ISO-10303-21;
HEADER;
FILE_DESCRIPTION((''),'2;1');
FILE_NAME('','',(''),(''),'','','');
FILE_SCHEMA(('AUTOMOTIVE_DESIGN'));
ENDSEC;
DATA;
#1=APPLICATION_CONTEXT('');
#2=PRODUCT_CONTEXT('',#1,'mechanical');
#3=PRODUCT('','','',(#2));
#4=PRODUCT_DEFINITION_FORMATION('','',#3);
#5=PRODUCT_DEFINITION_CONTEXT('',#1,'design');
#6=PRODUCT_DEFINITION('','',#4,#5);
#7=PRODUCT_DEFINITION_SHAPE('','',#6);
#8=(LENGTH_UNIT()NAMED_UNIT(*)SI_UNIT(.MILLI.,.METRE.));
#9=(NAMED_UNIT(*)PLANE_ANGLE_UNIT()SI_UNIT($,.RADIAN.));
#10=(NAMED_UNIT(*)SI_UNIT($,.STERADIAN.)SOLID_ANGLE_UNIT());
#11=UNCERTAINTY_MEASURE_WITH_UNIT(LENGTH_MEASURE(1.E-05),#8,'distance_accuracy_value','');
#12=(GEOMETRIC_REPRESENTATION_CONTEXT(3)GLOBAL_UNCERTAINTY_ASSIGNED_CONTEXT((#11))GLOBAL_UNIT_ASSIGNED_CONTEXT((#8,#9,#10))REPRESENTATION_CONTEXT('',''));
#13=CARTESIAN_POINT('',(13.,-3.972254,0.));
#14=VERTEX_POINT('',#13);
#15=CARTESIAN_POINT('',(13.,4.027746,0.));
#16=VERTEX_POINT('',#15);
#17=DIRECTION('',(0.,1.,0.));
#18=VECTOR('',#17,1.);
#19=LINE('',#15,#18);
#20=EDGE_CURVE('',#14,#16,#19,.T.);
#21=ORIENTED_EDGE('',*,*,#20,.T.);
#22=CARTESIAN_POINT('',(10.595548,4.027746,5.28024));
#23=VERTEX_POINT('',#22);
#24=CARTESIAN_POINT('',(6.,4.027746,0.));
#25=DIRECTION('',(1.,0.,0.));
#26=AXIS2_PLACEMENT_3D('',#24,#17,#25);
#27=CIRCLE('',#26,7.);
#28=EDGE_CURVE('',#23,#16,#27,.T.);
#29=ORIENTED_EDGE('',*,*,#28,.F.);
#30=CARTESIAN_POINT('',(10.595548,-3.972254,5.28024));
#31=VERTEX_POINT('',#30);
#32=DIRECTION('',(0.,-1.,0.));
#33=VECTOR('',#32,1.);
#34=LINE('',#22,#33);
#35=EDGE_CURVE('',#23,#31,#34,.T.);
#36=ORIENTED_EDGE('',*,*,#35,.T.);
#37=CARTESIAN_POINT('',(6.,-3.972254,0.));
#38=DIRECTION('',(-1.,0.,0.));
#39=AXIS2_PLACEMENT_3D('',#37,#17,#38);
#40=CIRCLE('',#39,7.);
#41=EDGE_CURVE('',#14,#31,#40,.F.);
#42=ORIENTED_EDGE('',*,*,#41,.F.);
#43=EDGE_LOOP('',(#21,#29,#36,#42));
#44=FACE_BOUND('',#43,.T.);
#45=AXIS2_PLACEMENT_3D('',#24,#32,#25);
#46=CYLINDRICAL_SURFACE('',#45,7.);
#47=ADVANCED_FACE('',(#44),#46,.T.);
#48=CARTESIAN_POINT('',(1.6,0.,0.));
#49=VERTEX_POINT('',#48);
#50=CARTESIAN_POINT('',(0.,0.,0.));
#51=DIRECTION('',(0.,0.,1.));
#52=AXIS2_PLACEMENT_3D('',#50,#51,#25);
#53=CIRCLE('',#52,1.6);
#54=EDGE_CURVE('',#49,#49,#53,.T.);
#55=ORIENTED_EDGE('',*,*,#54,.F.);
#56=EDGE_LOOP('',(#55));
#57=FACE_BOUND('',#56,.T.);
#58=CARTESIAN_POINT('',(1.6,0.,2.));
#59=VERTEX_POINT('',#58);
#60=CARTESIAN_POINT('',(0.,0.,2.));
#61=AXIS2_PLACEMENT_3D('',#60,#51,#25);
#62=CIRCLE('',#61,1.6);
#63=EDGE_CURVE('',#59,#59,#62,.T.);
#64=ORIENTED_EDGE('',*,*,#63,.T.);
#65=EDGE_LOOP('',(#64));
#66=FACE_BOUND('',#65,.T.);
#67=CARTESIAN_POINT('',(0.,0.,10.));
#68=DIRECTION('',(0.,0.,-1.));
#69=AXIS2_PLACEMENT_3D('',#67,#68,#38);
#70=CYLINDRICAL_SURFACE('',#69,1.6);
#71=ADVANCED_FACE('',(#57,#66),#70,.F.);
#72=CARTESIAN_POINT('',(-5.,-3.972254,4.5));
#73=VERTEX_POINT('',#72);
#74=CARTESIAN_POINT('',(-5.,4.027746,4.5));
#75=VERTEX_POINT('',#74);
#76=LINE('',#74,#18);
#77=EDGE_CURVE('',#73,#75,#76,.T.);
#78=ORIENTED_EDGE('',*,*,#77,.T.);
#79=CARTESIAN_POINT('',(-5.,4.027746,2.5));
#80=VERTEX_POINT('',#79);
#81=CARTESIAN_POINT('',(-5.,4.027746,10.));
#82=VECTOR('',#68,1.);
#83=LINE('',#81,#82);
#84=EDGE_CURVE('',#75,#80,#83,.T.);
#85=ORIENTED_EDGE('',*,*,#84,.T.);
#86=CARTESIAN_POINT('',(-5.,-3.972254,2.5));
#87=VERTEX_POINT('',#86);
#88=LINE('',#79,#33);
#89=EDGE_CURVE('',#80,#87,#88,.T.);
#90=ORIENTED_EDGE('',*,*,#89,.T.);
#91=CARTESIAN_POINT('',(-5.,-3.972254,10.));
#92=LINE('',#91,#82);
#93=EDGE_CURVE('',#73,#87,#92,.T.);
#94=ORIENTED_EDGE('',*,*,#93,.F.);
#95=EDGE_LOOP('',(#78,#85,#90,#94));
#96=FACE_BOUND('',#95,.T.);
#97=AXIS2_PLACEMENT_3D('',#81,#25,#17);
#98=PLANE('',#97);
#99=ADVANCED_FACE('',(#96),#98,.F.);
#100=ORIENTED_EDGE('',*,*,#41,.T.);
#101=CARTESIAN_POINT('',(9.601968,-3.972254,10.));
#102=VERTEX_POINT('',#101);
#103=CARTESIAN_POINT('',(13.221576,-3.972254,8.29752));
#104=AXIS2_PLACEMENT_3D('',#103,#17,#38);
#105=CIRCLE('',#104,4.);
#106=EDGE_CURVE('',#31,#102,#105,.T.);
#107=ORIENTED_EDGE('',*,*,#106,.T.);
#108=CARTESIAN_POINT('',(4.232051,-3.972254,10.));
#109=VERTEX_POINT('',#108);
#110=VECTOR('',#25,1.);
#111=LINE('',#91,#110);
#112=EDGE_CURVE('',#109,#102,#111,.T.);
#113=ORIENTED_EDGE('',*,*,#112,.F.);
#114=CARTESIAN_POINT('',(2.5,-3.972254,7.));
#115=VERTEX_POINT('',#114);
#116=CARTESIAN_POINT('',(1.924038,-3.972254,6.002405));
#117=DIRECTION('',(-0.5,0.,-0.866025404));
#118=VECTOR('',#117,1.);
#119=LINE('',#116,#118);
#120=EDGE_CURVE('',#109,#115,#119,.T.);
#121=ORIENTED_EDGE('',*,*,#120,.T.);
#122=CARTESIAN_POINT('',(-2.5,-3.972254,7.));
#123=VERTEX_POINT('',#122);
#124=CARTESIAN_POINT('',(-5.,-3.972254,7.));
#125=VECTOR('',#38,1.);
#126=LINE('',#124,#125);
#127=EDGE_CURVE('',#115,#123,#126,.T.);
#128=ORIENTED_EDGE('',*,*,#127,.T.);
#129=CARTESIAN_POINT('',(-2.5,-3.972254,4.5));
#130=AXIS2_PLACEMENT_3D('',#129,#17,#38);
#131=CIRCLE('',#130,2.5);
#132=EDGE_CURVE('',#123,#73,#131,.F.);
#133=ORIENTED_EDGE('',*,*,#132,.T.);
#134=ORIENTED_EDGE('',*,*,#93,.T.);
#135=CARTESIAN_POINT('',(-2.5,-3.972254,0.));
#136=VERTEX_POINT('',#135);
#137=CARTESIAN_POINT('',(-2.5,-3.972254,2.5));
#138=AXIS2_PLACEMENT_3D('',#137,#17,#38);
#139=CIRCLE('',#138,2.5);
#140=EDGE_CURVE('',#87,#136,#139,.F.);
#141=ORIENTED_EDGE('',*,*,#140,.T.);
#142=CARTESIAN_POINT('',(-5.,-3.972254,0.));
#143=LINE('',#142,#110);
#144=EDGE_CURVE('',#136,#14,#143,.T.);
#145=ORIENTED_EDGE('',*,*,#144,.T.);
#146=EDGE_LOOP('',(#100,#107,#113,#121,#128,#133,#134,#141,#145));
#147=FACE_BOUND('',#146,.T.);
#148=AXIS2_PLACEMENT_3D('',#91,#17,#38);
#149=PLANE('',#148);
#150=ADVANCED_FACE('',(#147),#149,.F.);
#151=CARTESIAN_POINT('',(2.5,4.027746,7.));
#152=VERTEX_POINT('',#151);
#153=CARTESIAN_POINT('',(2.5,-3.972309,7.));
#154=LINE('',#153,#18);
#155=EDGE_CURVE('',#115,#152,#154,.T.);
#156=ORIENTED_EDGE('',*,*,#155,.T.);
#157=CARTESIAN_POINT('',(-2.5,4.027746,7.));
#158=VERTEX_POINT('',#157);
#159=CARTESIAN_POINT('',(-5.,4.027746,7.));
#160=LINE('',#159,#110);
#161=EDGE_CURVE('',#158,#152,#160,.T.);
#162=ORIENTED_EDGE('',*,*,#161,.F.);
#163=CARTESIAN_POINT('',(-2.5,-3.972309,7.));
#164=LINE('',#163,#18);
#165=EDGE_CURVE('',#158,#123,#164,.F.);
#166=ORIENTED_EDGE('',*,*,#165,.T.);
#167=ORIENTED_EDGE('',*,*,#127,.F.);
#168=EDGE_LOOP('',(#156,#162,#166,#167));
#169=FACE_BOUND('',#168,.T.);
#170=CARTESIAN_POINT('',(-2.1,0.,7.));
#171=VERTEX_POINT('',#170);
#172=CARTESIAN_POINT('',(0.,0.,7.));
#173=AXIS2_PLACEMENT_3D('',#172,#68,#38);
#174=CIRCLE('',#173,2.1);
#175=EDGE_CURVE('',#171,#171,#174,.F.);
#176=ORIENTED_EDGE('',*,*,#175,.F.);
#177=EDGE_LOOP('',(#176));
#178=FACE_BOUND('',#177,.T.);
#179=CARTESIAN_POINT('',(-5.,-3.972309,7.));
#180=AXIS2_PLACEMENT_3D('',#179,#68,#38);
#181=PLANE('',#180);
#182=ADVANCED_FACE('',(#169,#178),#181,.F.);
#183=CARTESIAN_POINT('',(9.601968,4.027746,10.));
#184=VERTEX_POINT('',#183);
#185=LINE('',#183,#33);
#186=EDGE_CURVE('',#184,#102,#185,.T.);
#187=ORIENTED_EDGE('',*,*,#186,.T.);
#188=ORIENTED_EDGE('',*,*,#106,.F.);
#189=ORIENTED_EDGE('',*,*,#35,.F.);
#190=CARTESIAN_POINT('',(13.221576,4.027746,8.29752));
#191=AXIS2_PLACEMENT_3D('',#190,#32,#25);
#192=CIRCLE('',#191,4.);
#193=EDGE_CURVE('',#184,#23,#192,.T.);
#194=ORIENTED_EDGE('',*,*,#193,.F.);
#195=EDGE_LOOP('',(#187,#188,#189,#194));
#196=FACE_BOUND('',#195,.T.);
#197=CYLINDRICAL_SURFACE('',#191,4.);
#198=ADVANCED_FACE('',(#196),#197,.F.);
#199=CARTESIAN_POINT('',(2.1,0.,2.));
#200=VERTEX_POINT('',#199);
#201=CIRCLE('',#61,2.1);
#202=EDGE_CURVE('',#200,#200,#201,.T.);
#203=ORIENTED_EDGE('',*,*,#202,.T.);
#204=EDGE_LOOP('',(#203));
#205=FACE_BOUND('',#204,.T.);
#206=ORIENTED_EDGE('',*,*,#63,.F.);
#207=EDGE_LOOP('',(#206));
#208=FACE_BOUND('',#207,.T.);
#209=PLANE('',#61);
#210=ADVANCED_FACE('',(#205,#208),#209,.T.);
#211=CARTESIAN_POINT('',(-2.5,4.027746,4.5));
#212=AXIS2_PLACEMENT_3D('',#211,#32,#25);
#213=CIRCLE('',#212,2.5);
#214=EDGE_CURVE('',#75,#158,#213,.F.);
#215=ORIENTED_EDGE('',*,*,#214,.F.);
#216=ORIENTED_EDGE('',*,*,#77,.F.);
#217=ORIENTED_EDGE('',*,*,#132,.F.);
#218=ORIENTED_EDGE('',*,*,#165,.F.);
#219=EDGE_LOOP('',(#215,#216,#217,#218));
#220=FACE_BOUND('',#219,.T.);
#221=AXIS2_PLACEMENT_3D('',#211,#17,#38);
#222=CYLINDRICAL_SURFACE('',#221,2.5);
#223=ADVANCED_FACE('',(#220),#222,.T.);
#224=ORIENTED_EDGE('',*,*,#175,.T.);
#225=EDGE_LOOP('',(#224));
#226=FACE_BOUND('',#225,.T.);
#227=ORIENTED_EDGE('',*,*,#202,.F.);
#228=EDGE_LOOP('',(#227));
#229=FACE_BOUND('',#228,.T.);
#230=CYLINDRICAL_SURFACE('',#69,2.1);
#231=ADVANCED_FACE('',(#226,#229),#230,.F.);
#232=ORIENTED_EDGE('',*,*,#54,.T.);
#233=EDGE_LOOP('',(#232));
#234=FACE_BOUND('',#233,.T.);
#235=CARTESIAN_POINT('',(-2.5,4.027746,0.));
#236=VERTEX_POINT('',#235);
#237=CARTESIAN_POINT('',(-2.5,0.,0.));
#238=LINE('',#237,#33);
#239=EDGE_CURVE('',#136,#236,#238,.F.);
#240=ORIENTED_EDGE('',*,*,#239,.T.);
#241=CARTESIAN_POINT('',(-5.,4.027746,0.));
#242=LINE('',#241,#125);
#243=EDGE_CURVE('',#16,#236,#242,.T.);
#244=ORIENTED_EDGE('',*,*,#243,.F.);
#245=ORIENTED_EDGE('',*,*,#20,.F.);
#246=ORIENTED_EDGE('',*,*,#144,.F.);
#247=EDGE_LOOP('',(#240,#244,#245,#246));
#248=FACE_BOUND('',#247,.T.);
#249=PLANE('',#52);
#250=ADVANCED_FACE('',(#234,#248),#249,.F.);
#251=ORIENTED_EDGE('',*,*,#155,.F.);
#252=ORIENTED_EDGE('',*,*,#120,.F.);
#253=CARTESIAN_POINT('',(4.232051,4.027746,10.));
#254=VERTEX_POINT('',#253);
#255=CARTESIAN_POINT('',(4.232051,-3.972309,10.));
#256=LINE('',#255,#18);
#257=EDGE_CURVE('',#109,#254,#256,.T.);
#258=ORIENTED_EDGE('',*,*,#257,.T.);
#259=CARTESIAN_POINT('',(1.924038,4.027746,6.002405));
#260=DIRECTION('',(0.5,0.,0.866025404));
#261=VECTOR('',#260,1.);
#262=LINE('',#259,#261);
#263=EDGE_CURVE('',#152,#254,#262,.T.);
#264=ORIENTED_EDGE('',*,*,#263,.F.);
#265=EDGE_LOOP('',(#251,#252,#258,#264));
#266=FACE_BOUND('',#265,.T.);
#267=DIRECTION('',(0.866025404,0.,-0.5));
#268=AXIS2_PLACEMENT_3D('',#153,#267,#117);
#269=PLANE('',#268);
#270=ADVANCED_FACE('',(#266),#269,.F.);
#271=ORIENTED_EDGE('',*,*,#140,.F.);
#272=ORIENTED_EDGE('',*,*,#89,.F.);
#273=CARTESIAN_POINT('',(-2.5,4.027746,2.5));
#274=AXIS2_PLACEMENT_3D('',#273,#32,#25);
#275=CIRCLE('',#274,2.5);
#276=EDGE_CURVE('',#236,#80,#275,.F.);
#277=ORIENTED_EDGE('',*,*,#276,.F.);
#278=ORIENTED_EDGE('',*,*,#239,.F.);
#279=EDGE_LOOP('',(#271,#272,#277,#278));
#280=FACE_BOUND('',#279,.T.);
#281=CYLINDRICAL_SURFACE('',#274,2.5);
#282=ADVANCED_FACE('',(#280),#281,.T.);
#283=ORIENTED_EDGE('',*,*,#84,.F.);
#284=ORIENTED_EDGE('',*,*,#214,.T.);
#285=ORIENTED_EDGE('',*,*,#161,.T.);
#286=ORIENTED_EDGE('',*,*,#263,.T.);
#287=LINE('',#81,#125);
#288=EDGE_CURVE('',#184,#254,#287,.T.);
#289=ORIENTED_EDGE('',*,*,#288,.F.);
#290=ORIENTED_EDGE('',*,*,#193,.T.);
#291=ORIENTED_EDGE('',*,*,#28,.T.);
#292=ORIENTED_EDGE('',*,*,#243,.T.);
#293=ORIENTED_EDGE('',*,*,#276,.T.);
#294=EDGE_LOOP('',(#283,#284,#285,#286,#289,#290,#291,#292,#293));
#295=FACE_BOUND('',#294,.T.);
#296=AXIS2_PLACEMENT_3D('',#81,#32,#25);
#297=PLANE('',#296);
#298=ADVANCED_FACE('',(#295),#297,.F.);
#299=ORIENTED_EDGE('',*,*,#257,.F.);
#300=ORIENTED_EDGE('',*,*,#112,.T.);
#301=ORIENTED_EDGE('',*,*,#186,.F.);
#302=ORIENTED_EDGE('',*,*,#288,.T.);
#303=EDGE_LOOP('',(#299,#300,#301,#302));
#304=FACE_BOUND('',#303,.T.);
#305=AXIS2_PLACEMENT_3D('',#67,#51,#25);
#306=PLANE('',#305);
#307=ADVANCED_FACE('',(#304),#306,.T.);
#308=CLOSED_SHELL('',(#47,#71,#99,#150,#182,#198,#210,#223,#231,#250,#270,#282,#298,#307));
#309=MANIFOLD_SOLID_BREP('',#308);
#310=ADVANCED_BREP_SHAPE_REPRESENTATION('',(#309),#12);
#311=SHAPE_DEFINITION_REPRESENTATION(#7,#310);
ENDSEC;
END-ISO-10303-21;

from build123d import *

# Parameters (mm, degrees)
SKETCH1_W               = 18
SKETCH1_H               = 8
SKETCH1_R               = 1.6
BOSS_EXTRUDE1_DEPTH     = 10
CUT_EXTRUDE1_DEPTH      = 1
CUT_EXTRUDE1_DEPTH_BACK = 9
CUT_EXTRUDE3_DEPTH      = 1
CUT_EXTRUDE3_DEPTH_BACK = 9
FILLET1_R               = 2.5
SKETCH4_R               = 2.1
CUT_EXTRUDE4_DEPTH      = 4
CUT_EXTRUDE4_DEPTH_BACK = 5


with BuildPart() as part:
    # Sketch1 → Boss-Extrude1 (new body)
    with BuildSketch(Plane.XY):
        with Locations((4, 0.027746394)):
            Rectangle(SKETCH1_W, SKETCH1_H)
        Circle(SKETCH1_R, mode=Mode.SUBTRACT)
    extrude(amount=BOSS_EXTRUDE1_DEPTH)

    # Sketch2 → Cut-Extrude1 (cut, two sides)
    with BuildSketch(Plane.XZ.offset(3.972253606)) as cut_extrude1_sk:
        with BuildLine():
            Line((13.221576202, 12.297519941), (13, 0))
            ThreePointArc((13, 0), (12.370590218, 2.900961957), (10.595548492, 5.280239962))
            ThreePointArc((10.595548492, 5.280239962), (9.475303393, 9.699461467), (13.221576202, 12.297519941))
        make_face()
    extrude(amount=CUT_EXTRUDE1_DEPTH, mode=Mode.SUBTRACT)
    extrude(cut_extrude1_sk.sketch, amount=-CUT_EXTRUDE1_DEPTH_BACK, mode=Mode.SUBTRACT)

    # Sketch3 → Cut-Extrude3 (cut, two sides)
    with BuildSketch(Plane(origin=(0, 4.027746394, 0), x_dir=(1, 0, 0), z_dir=(0, 1, 0))) as cut_extrude3_sk:
        Polygon((-5, -7), (2.5, -7), (4.232050808, -10), (-5, -10), align=None)
    extrude(amount=CUT_EXTRUDE3_DEPTH, mode=Mode.SUBTRACT)
    extrude(cut_extrude3_sk.sketch, amount=-CUT_EXTRUDE3_DEPTH_BACK, mode=Mode.SUBTRACT)

    # Fillet1
    fillet1_edges = [part.edges().sort_by_distance(p)[0] for p in [
        (-5, 0.027746394, 7),
        (-5, 0.027746394, 0),
    ]]
    fillet(fillet1_edges, radius=FILLET1_R)

    # Sketch4 → Cut-Extrude4 (cut, two sides)
    with BuildSketch(Plane.XY.offset(7)) as cut_extrude4_sk:
        Circle(SKETCH4_R)
    extrude(amount=CUT_EXTRUDE4_DEPTH, mode=Mode.SUBTRACT)
    extrude(cut_extrude4_sk.sketch, amount=-CUT_EXTRUDE4_DEPTH_BACK, mode=Mode.SUBTRACT)


solid = part.part
